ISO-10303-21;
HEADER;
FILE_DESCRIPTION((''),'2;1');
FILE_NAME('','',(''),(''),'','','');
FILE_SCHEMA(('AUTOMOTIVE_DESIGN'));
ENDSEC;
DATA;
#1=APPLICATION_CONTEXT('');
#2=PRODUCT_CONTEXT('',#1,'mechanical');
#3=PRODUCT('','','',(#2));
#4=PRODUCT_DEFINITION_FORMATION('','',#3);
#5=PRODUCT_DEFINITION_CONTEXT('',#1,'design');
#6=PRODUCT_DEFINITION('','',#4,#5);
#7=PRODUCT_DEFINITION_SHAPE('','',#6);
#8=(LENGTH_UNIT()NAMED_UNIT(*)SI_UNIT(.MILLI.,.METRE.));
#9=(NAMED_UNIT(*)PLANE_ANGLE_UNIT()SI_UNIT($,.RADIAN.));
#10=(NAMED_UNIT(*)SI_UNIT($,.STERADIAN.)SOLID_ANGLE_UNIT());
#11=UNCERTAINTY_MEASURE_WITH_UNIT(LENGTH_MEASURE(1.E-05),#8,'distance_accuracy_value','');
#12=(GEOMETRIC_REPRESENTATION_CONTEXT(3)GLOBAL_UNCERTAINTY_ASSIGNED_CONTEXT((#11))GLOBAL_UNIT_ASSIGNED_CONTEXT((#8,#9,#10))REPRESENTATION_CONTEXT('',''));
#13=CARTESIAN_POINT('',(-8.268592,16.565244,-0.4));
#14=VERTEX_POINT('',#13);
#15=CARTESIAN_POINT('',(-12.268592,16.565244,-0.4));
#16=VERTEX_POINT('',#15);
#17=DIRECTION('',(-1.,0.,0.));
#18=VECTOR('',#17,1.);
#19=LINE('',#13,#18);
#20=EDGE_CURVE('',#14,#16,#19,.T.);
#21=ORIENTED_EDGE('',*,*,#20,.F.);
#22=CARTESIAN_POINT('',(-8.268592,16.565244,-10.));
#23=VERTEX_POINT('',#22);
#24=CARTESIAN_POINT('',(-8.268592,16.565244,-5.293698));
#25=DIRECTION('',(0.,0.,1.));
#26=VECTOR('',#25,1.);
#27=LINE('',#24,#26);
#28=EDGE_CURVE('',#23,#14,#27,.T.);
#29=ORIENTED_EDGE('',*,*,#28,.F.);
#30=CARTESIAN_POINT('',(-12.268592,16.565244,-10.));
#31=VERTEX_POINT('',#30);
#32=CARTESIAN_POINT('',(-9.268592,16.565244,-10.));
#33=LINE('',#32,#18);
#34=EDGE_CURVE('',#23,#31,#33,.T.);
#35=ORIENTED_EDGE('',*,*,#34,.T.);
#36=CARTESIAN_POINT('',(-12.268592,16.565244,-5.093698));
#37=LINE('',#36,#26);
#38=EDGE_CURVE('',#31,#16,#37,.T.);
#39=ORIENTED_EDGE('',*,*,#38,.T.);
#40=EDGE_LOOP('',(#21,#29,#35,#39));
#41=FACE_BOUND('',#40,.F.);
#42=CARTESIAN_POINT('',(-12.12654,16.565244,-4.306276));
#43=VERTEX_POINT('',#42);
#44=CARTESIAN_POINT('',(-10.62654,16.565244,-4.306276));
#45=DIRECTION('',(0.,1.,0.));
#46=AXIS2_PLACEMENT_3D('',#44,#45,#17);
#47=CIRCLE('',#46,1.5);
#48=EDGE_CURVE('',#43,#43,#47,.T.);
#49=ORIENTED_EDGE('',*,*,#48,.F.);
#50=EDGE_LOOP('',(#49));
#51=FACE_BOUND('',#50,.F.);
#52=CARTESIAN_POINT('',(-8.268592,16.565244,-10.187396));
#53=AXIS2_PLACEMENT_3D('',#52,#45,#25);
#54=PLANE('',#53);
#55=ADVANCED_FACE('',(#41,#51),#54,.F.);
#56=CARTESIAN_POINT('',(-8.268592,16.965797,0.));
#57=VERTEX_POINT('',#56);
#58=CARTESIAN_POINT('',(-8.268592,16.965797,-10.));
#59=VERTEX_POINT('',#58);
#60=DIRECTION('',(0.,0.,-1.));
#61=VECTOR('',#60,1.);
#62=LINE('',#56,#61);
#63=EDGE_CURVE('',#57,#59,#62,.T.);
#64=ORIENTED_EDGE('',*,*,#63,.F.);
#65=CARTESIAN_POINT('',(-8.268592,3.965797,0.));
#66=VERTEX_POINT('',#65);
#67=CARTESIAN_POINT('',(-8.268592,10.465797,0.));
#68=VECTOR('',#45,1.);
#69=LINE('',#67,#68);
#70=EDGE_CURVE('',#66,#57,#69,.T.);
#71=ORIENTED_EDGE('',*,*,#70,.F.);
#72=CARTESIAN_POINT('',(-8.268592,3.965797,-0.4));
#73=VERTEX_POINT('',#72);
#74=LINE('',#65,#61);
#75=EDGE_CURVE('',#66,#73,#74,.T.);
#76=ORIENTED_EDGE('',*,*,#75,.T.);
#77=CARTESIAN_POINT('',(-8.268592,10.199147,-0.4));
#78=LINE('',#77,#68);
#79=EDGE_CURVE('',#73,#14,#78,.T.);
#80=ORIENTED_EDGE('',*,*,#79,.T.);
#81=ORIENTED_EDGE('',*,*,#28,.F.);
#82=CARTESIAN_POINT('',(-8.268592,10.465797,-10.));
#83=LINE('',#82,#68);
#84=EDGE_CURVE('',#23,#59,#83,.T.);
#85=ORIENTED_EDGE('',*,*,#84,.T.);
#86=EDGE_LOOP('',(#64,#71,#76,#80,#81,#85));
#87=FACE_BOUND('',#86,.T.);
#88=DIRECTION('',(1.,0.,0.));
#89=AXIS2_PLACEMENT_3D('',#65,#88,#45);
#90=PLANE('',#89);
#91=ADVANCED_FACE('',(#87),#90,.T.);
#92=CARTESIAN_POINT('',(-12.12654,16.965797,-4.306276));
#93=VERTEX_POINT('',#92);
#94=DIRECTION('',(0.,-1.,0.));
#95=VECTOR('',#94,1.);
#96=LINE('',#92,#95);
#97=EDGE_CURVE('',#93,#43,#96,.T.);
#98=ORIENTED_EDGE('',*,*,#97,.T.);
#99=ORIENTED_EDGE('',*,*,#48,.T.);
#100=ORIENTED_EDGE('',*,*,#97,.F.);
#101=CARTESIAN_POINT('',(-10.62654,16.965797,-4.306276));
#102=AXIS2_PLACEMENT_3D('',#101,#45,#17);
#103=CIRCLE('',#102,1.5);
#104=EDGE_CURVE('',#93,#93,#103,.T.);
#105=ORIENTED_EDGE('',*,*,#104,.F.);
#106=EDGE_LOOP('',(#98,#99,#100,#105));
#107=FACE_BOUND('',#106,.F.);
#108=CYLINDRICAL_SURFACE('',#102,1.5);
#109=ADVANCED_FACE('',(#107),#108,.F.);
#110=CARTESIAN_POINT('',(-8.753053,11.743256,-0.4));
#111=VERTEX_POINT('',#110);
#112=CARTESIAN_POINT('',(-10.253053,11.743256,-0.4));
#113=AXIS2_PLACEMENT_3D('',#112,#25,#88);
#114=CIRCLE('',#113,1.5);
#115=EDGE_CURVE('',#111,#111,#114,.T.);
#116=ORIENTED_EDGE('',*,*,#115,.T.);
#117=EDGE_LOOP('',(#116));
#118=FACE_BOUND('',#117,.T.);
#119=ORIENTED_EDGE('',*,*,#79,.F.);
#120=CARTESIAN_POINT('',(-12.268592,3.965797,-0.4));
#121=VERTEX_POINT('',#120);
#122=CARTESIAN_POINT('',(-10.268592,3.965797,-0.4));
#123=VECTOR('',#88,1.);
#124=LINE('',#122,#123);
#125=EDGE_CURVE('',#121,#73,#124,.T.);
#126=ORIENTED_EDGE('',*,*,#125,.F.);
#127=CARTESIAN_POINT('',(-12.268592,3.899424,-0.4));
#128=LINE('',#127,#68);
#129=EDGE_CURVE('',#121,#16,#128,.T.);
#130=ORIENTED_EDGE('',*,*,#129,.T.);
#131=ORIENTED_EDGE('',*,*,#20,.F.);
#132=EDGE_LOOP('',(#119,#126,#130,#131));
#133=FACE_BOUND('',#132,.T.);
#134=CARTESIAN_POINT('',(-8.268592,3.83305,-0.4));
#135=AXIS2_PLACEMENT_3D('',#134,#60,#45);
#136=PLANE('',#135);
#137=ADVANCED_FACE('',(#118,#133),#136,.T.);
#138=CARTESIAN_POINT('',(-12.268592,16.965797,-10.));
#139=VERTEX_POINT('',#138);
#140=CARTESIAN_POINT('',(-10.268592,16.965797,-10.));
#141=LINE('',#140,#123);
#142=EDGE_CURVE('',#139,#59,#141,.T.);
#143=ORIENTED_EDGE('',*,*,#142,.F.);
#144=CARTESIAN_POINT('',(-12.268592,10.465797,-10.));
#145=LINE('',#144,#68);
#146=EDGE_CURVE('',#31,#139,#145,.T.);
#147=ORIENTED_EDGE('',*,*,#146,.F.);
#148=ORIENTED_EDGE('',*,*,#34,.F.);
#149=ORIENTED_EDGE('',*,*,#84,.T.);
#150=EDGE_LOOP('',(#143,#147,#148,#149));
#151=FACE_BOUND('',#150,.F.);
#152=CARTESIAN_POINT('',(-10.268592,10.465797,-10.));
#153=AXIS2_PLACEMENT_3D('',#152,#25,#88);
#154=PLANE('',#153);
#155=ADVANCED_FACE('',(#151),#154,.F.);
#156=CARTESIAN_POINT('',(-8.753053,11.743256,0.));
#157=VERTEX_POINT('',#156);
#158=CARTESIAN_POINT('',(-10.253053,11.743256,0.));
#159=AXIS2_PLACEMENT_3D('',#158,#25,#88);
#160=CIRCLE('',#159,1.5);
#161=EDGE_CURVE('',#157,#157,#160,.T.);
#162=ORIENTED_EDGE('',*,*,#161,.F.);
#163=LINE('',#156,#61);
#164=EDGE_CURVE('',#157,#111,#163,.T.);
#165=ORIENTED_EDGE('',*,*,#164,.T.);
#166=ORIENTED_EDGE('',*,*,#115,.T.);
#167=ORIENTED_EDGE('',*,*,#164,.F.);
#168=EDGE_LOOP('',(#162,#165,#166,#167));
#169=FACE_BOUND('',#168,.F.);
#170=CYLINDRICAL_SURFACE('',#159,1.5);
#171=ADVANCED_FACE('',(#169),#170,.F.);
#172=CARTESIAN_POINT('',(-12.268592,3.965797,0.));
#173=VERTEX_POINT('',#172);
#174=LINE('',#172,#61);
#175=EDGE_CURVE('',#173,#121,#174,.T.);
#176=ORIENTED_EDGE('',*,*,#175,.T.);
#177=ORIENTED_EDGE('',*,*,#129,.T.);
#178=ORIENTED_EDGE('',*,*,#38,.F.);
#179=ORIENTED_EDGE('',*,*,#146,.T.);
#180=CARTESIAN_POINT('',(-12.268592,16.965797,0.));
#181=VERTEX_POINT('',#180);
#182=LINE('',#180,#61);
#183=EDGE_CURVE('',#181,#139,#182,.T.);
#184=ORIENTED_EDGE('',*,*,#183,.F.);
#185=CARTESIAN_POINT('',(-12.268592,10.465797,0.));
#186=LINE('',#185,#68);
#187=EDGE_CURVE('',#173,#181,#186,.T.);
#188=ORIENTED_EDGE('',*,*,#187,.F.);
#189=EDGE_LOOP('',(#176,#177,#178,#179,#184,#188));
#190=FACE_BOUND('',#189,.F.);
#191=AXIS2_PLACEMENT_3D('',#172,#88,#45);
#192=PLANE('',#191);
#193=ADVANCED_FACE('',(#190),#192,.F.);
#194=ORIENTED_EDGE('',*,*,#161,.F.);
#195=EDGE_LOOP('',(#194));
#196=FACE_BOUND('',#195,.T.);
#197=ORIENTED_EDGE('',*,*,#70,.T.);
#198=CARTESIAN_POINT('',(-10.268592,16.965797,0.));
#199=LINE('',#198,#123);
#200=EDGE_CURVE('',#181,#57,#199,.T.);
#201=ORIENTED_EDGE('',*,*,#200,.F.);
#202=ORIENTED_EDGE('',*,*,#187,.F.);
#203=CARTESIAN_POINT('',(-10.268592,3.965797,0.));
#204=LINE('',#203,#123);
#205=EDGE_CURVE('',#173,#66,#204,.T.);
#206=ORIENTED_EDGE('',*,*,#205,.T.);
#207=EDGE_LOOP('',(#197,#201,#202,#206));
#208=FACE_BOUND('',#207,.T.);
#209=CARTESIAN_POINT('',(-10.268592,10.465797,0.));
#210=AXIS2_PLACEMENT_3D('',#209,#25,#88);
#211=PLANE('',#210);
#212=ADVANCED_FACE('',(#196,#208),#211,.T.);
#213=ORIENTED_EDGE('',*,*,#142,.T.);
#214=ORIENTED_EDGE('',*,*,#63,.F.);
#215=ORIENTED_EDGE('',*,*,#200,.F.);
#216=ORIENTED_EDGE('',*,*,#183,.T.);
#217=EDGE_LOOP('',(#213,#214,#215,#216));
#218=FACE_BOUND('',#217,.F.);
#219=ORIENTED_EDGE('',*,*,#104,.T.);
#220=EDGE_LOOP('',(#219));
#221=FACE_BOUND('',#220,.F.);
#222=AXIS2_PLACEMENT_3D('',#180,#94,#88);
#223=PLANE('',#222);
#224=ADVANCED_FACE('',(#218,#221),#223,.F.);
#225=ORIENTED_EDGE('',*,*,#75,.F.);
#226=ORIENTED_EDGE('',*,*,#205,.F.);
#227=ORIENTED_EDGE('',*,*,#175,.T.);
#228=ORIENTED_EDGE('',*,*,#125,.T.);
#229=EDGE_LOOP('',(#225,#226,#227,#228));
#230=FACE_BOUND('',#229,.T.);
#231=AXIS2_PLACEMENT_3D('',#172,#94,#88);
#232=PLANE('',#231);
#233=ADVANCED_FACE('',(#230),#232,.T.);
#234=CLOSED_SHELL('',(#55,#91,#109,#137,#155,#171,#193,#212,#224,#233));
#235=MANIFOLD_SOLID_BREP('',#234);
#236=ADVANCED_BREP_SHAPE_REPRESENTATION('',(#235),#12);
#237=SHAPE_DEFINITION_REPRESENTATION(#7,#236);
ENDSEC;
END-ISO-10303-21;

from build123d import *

# Parameters (mm, degrees)
SKETCH002_W     = 4
SKETCH002_H     = 13
SKETCH002_R     = 1.5
PAD002_DEPTH    = 10
SKETCH003_W     = 12.732194
SKETCH003_H     = 9.787396
POCKET_DEPTH    = 5
SKETCH004_R     = 1.5
POCKET001_DEPTH = 5


with BuildPart() as part:
    # Sketch002 → Pad002 (new body)
    with BuildSketch(Plane.XY):
        with Locations((-10.268592, 10.465797)):
            Rectangle(SKETCH002_W, SKETCH002_H)
        with Locations((-10.253053, 11.743256)):
            Circle(SKETCH002_R, mode=Mode.SUBTRACT)
    extrude(amount=-PAD002_DEPTH)

    # Sketch003 (on Face2 of Pad002) → Pocket (cut)
    with BuildSketch(Plane.YZ.offset(-8.268592)):
        with Locations((10.199147, -5.293698)):
            Rectangle(SKETCH003_W, SKETCH003_H)
    extrude(amount=-POCKET_DEPTH, mode=Mode.SUBTRACT)

    # Sketch004 (on Face6 of Pocket) → Pocket001 (cut)
    with BuildSketch(Plane(origin=(0, 16.965797, 0), x_dir=(-1, 0, 0), z_dir=(0, 1, 0))):
        with Locations((10.62654, -4.306276)):
            Circle(SKETCH004_R)
    extrude(amount=-POCKET001_DEPTH, mode=Mode.SUBTRACT)


solid = part.part
